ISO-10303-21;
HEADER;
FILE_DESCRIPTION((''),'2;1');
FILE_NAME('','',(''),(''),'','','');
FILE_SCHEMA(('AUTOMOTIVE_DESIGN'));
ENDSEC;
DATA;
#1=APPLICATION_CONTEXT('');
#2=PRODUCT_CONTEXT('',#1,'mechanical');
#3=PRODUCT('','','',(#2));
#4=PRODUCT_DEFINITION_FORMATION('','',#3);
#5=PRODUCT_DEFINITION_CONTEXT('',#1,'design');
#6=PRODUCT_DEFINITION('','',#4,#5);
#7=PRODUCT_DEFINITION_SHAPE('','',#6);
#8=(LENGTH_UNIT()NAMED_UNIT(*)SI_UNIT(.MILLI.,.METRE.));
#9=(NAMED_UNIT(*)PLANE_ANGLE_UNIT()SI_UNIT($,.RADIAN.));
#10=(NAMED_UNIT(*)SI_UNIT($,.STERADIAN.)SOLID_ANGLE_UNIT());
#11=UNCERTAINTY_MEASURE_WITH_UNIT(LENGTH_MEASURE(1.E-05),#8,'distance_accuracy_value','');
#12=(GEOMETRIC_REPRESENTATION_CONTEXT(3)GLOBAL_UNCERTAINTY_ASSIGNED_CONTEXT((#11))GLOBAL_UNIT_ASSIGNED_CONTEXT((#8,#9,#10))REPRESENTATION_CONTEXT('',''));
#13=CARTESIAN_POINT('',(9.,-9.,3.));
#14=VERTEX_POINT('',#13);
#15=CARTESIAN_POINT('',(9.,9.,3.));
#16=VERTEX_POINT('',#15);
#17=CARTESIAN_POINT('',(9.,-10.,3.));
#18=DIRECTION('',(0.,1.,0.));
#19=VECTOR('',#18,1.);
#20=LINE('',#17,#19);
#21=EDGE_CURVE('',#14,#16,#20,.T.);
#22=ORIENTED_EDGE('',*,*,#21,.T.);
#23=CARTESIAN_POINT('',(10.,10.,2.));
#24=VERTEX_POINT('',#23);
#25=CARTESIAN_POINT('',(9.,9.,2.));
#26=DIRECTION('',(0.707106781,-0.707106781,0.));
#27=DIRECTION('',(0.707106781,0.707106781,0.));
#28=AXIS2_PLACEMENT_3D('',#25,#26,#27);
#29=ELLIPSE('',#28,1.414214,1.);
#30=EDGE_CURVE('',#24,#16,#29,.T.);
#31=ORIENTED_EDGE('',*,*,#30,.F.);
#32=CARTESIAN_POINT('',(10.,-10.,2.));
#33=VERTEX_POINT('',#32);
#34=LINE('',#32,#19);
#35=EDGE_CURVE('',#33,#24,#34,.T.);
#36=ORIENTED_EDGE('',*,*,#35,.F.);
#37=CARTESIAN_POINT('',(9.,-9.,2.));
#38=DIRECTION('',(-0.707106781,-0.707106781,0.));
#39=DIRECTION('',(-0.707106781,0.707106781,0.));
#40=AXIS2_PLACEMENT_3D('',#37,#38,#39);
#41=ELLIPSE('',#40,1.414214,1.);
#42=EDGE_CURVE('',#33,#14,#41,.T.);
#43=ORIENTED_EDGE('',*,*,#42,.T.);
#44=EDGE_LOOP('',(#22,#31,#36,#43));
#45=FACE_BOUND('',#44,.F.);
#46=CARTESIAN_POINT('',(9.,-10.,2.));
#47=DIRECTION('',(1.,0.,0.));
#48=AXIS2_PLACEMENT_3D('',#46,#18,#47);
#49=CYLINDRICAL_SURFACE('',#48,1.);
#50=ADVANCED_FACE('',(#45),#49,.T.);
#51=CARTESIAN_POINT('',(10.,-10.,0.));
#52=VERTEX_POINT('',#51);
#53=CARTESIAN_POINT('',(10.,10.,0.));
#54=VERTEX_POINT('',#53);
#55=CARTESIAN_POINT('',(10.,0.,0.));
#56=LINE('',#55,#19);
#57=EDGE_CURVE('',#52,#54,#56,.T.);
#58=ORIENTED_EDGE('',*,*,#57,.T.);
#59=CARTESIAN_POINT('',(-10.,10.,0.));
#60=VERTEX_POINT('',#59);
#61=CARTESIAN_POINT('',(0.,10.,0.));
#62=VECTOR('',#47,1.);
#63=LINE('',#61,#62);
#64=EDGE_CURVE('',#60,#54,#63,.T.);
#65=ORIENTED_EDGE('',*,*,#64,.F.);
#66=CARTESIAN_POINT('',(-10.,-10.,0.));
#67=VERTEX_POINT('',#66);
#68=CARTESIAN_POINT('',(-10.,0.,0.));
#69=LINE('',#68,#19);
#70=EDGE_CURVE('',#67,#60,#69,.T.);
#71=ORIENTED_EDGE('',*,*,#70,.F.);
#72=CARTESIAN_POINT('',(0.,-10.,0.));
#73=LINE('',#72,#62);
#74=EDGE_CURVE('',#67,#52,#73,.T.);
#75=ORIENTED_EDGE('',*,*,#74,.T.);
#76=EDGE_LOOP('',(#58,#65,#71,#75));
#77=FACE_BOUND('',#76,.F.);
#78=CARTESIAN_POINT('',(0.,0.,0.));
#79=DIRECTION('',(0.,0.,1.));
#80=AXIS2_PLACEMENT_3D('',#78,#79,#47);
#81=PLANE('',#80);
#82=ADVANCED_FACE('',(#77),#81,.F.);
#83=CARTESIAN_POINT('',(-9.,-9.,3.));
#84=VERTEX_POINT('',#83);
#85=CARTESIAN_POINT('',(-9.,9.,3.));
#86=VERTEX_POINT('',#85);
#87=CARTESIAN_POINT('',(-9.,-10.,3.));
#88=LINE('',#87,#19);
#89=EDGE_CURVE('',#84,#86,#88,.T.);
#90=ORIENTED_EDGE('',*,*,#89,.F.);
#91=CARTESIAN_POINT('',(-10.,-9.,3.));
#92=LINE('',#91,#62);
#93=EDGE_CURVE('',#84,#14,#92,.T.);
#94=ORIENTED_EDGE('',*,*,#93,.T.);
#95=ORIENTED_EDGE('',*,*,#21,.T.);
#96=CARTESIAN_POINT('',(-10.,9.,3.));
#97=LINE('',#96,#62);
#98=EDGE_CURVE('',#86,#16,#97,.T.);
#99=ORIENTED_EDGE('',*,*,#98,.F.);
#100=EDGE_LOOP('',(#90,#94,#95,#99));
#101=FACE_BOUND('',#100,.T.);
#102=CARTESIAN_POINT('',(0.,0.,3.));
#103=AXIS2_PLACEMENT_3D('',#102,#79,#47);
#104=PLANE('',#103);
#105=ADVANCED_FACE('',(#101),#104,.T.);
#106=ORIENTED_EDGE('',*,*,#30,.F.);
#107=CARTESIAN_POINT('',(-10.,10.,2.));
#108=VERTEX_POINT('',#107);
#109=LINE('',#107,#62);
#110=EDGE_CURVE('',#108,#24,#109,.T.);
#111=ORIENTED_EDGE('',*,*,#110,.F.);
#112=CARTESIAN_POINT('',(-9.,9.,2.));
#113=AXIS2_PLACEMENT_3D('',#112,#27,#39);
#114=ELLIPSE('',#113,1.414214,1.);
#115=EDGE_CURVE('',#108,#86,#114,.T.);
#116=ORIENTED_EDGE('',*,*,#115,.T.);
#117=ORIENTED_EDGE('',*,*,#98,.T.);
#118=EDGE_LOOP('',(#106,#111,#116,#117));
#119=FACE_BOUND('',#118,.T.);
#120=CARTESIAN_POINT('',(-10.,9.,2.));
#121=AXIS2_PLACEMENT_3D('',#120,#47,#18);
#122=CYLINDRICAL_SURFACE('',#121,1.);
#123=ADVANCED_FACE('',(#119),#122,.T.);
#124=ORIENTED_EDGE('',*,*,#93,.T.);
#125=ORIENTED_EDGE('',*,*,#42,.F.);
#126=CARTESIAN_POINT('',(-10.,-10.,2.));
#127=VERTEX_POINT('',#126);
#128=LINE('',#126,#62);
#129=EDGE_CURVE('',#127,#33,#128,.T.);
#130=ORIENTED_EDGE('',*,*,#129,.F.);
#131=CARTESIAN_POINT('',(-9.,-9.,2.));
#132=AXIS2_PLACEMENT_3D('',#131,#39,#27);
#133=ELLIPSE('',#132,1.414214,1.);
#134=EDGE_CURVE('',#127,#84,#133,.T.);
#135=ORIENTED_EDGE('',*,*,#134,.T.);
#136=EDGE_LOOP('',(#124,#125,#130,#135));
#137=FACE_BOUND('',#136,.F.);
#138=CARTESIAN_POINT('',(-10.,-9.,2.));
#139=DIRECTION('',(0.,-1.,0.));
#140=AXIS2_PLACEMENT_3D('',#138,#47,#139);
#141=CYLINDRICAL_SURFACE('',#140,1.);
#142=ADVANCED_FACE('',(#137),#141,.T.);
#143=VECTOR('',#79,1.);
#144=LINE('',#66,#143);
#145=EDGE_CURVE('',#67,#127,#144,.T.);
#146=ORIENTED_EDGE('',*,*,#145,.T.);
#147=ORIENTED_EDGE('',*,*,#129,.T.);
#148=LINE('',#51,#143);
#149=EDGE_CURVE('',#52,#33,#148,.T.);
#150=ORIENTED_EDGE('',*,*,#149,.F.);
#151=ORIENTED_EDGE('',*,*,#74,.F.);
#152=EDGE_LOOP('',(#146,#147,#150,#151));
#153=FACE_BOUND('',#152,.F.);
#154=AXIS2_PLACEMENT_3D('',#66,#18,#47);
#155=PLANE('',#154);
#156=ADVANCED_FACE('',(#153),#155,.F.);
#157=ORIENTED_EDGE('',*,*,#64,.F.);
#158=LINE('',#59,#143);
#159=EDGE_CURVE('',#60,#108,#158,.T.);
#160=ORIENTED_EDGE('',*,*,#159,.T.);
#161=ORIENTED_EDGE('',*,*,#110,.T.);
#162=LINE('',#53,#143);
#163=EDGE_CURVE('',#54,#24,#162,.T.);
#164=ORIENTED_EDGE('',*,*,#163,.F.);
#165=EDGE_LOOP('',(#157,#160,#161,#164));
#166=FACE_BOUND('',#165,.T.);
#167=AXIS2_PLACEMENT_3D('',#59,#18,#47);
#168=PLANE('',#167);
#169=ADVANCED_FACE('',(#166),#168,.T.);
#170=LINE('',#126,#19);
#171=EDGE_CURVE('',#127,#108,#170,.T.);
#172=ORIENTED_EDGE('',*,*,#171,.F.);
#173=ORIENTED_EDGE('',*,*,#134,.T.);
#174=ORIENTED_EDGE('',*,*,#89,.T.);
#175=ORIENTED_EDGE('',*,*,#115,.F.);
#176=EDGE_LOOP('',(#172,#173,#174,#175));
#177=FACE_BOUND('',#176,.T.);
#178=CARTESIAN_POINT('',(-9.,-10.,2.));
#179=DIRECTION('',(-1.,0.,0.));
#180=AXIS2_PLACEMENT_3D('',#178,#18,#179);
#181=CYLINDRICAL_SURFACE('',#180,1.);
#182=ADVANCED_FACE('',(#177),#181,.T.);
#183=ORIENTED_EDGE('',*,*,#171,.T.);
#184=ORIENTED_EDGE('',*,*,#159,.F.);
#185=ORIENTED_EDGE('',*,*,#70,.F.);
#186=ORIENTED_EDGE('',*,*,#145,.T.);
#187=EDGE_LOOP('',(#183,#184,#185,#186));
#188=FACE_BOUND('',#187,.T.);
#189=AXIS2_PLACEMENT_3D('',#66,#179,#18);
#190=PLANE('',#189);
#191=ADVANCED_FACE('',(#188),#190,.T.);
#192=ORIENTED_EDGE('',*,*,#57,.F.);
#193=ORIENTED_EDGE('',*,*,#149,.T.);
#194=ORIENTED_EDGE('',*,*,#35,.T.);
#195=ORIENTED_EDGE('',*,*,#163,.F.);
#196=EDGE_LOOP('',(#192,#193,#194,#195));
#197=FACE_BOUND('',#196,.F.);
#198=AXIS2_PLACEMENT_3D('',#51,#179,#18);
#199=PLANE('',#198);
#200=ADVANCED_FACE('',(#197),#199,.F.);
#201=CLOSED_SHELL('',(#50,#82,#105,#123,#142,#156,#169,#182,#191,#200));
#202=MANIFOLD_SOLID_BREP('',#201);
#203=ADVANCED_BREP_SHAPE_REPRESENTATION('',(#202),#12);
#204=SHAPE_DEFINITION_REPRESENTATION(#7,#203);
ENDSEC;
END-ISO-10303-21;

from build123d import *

# Parameters (mm, degrees)
SKETCH_W  = 20
SKETCH_H  = 20
PAD_DEPTH = 3
FILLET_R  = 1


with BuildPart() as part:
    # Sketch → Pad (new body)
    with BuildSketch(Plane.XY):
        Rectangle(SKETCH_W, SKETCH_H)
    extrude(amount=PAD_DEPTH)

    # Fillet
    fillet_edges = [part.edges().sort_by_distance(p)[0] for p in [
        (10, 0, 3),
        (0, -10, 3),
        (-10, 0, 3),
        (0, 10, 3),
    ]]
    fillet(fillet_edges, radius=FILLET_R)


solid = part.part
